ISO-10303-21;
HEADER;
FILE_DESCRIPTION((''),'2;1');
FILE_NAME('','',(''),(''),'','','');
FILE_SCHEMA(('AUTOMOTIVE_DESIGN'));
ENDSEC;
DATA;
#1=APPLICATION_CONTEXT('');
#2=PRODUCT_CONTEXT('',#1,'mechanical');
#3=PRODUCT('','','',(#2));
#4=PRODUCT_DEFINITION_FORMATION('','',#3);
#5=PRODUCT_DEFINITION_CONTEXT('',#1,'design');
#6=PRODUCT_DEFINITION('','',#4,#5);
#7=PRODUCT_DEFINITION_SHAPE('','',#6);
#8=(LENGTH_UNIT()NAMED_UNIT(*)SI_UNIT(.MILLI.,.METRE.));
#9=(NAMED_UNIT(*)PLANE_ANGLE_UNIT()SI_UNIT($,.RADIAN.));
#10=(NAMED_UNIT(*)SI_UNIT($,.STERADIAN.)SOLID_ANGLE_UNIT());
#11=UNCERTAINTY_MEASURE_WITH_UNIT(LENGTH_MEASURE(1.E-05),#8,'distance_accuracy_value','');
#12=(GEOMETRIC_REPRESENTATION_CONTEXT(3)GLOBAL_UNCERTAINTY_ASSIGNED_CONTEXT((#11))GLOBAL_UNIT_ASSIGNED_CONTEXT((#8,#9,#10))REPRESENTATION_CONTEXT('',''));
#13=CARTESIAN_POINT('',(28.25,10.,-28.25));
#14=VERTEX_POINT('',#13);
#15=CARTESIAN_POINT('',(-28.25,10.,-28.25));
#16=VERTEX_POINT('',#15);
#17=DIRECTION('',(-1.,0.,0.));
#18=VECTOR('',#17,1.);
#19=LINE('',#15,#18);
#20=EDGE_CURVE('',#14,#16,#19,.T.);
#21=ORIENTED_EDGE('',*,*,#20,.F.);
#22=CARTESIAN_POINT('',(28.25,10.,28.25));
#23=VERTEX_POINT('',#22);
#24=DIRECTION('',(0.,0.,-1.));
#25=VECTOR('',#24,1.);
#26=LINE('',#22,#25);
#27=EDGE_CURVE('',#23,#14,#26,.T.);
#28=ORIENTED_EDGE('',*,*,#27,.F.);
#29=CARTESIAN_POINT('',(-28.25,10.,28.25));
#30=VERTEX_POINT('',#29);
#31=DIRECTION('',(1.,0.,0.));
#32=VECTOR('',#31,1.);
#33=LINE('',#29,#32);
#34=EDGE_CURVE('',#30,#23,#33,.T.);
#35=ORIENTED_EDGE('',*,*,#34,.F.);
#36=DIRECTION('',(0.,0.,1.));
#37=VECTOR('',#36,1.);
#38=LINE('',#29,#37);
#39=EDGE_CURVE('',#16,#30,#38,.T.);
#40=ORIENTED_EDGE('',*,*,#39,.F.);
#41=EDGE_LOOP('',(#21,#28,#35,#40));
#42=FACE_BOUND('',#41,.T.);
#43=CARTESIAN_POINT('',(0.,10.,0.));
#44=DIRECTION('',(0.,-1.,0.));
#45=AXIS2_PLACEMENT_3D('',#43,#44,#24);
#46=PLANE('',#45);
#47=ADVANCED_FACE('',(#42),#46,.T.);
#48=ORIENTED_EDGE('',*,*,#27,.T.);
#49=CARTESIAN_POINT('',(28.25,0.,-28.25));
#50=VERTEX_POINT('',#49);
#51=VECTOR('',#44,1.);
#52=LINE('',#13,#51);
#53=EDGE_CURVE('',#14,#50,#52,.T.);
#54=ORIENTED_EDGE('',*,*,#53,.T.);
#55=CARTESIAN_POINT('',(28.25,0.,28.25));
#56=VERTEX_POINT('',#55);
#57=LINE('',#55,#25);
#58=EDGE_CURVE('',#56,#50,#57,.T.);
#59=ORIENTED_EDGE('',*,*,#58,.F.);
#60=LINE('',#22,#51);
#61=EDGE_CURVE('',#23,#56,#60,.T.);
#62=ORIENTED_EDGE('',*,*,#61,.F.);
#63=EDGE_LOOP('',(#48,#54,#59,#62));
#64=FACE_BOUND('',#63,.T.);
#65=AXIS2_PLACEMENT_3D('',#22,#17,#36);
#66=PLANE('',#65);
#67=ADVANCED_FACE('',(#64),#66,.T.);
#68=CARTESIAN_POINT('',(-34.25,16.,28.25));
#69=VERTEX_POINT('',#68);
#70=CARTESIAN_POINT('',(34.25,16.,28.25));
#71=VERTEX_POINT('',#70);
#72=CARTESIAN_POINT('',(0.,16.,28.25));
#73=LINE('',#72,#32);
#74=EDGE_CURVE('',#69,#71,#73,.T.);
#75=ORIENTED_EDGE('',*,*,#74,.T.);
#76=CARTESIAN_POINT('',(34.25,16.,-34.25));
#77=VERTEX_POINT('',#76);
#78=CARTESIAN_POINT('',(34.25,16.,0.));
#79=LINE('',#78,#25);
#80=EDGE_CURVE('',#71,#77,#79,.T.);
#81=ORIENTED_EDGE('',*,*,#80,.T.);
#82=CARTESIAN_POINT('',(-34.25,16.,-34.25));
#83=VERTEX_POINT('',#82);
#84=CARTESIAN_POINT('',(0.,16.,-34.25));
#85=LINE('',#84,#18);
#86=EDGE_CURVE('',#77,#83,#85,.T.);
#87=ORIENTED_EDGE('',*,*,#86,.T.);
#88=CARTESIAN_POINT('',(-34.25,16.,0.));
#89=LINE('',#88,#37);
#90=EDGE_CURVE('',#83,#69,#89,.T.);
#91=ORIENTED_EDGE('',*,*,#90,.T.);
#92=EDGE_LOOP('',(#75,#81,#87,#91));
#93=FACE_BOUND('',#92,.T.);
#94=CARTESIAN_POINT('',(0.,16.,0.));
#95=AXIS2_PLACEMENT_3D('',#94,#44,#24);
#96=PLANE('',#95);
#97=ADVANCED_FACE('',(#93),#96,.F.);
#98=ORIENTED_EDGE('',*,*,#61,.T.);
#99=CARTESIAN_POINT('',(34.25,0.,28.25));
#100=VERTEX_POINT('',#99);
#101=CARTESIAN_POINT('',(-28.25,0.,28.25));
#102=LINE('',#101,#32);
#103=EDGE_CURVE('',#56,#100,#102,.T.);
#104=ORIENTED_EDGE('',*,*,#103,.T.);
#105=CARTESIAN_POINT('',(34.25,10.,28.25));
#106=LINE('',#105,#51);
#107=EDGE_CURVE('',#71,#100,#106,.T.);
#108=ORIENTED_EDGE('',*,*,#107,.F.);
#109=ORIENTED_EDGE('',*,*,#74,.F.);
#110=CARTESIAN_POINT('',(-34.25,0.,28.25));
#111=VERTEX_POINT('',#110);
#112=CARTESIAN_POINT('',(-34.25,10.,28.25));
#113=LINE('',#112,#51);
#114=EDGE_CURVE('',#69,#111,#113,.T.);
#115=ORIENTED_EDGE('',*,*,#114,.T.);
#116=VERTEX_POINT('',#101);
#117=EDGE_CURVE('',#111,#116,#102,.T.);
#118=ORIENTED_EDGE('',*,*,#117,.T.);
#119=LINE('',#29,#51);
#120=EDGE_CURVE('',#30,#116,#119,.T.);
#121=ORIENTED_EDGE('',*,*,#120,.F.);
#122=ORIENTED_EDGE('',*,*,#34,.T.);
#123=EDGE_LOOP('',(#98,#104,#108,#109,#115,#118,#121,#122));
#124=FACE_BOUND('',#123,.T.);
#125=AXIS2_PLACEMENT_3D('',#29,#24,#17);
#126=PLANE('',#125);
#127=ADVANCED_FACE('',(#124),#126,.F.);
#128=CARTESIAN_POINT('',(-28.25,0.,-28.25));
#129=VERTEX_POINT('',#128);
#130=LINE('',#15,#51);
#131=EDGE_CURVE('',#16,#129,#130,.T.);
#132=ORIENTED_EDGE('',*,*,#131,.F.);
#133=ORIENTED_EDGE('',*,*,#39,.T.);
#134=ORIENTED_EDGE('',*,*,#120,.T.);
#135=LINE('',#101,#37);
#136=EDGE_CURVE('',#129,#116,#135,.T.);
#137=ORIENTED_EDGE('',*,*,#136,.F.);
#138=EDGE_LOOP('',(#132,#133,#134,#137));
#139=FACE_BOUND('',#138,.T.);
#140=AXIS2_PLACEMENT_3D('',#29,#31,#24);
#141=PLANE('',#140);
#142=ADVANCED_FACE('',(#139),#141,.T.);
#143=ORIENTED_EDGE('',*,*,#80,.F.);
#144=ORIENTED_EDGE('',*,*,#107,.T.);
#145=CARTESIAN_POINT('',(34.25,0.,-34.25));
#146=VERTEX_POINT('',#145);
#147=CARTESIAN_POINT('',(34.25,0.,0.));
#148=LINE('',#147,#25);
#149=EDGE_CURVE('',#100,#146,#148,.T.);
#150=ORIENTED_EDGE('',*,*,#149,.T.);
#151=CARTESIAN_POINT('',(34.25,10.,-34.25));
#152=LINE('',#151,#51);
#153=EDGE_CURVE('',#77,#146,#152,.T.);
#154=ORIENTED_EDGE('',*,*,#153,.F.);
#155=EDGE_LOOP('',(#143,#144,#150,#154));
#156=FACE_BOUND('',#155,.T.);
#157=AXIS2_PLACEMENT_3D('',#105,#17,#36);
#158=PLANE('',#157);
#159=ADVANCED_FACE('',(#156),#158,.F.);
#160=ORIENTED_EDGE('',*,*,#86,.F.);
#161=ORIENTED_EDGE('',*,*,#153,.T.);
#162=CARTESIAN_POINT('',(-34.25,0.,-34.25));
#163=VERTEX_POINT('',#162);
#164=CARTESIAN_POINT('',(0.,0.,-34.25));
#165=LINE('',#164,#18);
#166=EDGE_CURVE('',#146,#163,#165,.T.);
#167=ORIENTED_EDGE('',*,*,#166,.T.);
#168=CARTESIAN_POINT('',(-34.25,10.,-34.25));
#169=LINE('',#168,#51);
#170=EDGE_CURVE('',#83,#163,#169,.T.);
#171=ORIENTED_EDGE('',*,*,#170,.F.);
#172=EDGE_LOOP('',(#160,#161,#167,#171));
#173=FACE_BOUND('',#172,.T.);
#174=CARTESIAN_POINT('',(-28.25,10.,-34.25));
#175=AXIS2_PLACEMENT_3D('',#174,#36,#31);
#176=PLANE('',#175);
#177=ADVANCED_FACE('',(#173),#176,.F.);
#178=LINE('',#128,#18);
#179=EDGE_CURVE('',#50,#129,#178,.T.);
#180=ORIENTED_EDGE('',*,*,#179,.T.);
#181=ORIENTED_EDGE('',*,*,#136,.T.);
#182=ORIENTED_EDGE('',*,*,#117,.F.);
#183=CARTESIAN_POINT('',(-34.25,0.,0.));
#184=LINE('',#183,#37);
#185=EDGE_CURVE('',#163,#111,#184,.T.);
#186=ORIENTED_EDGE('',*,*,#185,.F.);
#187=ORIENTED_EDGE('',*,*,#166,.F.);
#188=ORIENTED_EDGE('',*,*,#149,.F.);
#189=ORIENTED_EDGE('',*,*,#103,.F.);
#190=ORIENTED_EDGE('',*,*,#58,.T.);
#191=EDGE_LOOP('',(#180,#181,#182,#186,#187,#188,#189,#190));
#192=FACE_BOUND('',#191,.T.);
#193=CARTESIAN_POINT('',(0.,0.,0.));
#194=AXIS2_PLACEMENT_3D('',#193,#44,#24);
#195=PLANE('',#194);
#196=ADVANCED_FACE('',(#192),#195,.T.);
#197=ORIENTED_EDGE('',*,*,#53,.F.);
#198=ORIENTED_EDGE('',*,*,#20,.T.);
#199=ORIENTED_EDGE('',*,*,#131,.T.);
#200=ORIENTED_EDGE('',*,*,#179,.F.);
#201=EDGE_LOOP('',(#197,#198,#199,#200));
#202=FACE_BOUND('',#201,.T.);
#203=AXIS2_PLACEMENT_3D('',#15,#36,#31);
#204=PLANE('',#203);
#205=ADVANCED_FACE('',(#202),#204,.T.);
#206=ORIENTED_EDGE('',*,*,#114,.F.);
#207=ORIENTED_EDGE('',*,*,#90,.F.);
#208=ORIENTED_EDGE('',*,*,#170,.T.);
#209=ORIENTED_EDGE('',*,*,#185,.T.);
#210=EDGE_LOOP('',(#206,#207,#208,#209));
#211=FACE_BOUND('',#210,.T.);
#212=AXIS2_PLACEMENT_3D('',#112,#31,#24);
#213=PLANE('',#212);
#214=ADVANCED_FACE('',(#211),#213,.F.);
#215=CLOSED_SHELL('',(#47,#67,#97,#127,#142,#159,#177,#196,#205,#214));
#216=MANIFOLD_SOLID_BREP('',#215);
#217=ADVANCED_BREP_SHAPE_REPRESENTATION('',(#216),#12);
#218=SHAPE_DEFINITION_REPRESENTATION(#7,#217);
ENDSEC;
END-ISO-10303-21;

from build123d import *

# Parameters (mm, degrees)
SKETCH1_W           = 56.5
SKETCH1_H           = 56.5
BOSS_EXTRUDE1_DEPTH = 10
SHELL1_T            = 6


with BuildPart() as part:
    # Sketch1 → Boss-Extrude1 (new body)
    with BuildSketch(Plane(origin=(0, 0, 0), x_dir=(1, 0, 0), z_dir=(0, 1, 0))):
        Rectangle(SKETCH1_W, SKETCH1_H)
    extrude(amount=BOSS_EXTRUDE1_DEPTH)

    # Shell1
    shell1_openings = [part.faces().sort_by_distance(p)[0] for p in [
        (0, 5, 28.25),
        (0, 0, 0),
    ]]
    offset(amount=SHELL1_T, openings=shell1_openings, kind=Kind.INTERSECTION)


solid = part.part
